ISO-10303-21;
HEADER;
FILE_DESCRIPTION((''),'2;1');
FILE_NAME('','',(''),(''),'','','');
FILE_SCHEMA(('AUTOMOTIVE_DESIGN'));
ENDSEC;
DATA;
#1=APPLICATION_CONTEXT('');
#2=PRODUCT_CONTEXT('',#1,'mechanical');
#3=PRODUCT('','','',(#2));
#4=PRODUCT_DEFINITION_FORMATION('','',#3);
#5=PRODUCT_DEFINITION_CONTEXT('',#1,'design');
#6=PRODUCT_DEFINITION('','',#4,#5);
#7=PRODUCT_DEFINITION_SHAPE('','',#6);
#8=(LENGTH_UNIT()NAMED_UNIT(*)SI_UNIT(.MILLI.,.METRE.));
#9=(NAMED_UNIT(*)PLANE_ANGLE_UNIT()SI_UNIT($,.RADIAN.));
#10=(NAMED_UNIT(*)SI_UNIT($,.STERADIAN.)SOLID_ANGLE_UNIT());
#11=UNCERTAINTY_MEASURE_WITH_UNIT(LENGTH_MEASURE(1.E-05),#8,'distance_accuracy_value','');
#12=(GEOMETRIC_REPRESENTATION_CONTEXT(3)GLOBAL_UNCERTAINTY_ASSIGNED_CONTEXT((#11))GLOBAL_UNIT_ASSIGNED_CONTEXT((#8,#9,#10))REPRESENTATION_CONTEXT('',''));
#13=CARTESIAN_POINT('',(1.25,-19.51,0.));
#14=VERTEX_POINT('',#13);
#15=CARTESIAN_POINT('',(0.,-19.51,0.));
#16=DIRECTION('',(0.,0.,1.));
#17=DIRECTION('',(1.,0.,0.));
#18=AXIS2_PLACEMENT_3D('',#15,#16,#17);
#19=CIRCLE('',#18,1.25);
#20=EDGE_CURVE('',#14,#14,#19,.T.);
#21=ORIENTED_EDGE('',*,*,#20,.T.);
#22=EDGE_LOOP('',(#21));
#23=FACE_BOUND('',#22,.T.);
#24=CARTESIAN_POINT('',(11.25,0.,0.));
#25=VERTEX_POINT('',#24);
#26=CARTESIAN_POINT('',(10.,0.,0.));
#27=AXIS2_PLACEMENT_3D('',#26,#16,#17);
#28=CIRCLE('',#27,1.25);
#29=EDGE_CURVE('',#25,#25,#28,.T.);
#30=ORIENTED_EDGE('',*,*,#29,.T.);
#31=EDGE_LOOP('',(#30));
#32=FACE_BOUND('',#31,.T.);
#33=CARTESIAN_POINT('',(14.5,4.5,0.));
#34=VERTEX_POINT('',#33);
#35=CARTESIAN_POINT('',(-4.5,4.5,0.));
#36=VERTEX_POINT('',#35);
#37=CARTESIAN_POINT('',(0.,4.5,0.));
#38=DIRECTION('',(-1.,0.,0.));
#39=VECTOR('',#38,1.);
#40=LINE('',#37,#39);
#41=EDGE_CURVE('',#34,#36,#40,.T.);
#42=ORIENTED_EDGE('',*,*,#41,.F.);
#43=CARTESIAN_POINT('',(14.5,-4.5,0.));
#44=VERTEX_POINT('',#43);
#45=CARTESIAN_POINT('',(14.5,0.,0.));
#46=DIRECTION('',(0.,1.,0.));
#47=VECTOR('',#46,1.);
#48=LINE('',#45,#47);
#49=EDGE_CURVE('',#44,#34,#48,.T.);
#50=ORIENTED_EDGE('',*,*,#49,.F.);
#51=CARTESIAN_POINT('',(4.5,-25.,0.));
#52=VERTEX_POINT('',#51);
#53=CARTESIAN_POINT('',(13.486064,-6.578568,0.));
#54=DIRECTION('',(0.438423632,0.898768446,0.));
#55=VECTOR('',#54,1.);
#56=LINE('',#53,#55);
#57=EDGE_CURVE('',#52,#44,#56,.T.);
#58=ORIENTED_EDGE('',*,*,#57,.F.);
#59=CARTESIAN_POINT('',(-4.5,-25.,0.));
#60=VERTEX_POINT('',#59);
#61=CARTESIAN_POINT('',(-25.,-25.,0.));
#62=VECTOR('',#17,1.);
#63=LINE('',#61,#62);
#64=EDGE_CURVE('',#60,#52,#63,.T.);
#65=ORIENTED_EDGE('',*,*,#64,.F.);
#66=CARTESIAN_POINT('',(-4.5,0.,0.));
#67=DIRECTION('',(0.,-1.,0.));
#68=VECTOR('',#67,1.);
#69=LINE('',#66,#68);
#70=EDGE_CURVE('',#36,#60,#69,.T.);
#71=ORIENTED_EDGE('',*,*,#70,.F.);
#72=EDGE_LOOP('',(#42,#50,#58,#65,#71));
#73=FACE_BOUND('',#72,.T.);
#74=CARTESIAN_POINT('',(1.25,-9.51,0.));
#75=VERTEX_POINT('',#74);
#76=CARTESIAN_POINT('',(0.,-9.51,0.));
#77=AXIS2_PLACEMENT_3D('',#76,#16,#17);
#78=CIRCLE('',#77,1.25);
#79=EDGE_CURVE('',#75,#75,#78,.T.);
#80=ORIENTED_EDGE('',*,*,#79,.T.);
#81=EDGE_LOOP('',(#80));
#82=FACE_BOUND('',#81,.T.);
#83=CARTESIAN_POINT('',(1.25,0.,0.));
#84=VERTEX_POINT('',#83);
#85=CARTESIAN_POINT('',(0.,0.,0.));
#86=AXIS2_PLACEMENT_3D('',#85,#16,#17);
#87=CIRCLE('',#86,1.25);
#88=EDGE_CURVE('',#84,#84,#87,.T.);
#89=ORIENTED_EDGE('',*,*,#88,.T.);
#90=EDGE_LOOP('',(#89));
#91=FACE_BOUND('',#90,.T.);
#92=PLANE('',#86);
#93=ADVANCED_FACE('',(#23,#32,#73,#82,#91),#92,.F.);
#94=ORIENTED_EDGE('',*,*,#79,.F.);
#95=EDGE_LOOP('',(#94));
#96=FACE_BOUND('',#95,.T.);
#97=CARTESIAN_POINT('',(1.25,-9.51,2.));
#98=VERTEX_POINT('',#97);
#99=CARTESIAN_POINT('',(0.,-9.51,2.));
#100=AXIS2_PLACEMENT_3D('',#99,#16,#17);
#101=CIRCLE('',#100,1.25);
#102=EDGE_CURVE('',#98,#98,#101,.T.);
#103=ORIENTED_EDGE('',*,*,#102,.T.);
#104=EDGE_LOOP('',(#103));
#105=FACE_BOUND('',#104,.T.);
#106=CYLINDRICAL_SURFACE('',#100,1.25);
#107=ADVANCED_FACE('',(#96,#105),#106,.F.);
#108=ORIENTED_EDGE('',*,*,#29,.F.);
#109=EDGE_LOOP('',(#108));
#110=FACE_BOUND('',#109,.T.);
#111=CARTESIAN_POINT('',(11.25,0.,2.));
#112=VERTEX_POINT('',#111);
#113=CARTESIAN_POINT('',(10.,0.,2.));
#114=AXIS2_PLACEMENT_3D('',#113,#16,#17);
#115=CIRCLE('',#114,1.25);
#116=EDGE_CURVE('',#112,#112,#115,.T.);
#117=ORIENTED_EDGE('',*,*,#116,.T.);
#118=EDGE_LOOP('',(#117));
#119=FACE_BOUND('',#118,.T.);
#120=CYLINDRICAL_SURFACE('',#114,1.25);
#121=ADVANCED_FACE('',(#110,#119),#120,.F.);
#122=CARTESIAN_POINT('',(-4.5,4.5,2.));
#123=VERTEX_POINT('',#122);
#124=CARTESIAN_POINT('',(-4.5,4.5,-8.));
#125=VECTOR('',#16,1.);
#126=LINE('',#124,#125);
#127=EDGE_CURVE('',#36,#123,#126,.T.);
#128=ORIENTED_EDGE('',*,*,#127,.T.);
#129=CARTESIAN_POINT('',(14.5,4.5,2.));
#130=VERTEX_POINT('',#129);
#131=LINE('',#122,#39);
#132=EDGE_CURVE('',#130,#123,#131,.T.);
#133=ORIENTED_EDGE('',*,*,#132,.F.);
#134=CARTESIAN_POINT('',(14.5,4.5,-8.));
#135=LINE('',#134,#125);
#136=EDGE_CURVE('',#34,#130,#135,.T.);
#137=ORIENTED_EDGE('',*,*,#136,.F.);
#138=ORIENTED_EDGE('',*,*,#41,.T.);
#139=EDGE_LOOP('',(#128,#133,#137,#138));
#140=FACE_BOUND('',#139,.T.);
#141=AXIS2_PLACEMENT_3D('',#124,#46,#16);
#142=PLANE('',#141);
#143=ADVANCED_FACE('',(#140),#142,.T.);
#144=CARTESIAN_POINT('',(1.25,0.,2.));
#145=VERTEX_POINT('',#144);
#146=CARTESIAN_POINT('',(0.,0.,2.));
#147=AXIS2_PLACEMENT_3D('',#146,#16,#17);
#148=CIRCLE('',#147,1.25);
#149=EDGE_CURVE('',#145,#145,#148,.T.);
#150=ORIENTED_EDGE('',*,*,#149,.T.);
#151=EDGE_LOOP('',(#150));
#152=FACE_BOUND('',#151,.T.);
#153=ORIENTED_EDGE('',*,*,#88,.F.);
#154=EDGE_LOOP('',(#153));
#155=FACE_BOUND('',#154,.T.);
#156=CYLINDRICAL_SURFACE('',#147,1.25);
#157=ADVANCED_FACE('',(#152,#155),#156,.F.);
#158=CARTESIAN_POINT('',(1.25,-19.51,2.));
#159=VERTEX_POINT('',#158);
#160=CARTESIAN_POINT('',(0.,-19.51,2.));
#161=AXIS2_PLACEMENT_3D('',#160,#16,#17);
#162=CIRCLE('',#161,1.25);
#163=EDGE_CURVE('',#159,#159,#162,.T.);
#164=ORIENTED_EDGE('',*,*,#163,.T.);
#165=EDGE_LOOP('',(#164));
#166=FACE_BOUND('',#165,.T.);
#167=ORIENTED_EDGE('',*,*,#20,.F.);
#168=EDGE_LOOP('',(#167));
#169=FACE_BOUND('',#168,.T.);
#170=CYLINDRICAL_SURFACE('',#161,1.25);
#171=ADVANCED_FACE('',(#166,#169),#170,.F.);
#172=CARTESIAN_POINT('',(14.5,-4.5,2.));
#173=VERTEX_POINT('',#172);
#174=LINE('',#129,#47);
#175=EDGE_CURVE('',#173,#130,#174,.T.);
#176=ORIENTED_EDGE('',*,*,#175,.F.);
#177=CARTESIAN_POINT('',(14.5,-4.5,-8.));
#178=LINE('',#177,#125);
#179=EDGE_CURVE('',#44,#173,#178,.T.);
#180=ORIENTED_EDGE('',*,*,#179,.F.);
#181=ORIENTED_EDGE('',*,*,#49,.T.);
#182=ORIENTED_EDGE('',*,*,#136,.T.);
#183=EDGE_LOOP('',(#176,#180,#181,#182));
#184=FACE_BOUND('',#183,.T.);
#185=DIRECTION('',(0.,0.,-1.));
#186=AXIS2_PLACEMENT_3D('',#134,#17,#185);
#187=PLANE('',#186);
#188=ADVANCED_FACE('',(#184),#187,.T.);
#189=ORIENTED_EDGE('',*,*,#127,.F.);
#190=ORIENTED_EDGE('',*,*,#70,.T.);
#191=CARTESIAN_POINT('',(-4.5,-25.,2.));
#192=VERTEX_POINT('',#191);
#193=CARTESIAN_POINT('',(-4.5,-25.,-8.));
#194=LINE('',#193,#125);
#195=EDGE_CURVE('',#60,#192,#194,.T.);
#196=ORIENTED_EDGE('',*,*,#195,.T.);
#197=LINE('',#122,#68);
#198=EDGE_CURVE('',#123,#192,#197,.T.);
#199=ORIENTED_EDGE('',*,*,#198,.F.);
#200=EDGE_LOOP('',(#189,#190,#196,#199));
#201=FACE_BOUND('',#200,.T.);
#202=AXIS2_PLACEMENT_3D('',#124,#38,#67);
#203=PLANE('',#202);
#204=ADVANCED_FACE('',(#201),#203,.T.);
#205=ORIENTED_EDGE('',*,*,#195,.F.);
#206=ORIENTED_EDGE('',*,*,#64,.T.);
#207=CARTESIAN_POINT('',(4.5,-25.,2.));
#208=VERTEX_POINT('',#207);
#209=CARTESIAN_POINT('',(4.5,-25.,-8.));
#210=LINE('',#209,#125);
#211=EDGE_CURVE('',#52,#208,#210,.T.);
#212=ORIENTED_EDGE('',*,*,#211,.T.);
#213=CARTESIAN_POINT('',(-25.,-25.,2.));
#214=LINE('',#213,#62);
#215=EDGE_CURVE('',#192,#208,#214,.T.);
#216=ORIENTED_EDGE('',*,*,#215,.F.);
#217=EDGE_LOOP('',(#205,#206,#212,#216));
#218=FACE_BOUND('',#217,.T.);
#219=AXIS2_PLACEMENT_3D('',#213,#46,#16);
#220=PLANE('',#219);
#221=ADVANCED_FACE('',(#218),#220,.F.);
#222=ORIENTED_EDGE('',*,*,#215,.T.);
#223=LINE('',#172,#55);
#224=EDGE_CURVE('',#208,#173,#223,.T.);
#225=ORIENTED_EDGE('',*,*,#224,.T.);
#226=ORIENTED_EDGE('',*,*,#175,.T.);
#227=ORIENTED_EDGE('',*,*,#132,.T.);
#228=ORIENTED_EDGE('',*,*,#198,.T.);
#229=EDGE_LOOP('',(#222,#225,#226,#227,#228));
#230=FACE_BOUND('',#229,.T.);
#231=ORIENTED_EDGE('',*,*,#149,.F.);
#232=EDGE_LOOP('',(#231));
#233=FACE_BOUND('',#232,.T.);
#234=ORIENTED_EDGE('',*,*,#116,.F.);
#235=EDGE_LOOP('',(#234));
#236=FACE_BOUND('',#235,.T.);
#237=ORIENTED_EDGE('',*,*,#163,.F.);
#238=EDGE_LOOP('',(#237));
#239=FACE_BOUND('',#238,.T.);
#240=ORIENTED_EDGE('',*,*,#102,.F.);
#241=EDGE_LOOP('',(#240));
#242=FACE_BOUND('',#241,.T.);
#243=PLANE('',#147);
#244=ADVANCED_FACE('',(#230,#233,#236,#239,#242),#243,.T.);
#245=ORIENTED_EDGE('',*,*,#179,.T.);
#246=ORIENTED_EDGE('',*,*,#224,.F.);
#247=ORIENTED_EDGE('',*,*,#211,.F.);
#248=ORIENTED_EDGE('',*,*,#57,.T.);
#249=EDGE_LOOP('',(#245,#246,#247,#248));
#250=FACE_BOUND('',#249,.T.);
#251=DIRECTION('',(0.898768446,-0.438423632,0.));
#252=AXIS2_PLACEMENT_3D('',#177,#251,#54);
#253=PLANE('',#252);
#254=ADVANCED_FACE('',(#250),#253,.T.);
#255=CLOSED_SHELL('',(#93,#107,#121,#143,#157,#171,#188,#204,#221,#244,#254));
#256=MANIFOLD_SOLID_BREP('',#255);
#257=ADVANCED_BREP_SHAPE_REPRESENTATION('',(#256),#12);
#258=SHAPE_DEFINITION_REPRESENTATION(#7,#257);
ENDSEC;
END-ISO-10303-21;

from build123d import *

# Parameters (mm, degrees)
SKETCH_1_W          = 50
SKETCH_1_H          = 50
EXTRUDE_1_DEPTH     = 2
SKETCH_3_W          = 76.549088161
SKETCH_3_H          = 63.496312915
CUT_EXTRUDE_3_DEPTH = 10
M3X0_5_1_D          = 2.5
M3X0_5_1_DEPTH      = 8.5
M3X0_5_1_TIP        = 0.751075774


with BuildPart() as part:
    # ｽｹｯﾁ1 → ﾎﾞｽ - 押し出し1 (new body)
    with BuildSketch(Plane.XY):
        Rectangle(SKETCH_1_W, SKETCH_1_H)
    extrude(amount=EXTRUDE_1_DEPTH)

    # ｽｹｯﾁ3 → ｶｯﾄ - 押し出し3 (cut)
    with BuildSketch(Plane.XY.offset(2)):
        with Locations((-0.951764861, 3.501134841)):
            Rectangle(SKETCH_3_W, SKETCH_3_H)
        Polygon((14.5, -4.5), (4.5, -25), (-4.5, -25), (-4.5, 4.5), (14.5, 4.5), align=None, mode=Mode.SUBTRACT)
    extrude(amount=-CUT_EXTRUDE_3_DEPTH, mode=Mode.SUBTRACT)

    # M3x0.5 ねじ穴1
    with Locations(Plane.XY.offset(2)):
        with Locations((0, 0), (10, 0), (0, -9.51), (0, -19.51)):
            Hole(M3X0_5_1_D / 2, depth=M3X0_5_1_DEPTH)
            with Locations((0, 0, -(M3X0_5_1_DEPTH + M3X0_5_1_TIP / 2))):  # 118° drill point
                Cone(0, M3X0_5_1_D / 2, M3X0_5_1_TIP, mode=Mode.SUBTRACT)


solid = part.part
